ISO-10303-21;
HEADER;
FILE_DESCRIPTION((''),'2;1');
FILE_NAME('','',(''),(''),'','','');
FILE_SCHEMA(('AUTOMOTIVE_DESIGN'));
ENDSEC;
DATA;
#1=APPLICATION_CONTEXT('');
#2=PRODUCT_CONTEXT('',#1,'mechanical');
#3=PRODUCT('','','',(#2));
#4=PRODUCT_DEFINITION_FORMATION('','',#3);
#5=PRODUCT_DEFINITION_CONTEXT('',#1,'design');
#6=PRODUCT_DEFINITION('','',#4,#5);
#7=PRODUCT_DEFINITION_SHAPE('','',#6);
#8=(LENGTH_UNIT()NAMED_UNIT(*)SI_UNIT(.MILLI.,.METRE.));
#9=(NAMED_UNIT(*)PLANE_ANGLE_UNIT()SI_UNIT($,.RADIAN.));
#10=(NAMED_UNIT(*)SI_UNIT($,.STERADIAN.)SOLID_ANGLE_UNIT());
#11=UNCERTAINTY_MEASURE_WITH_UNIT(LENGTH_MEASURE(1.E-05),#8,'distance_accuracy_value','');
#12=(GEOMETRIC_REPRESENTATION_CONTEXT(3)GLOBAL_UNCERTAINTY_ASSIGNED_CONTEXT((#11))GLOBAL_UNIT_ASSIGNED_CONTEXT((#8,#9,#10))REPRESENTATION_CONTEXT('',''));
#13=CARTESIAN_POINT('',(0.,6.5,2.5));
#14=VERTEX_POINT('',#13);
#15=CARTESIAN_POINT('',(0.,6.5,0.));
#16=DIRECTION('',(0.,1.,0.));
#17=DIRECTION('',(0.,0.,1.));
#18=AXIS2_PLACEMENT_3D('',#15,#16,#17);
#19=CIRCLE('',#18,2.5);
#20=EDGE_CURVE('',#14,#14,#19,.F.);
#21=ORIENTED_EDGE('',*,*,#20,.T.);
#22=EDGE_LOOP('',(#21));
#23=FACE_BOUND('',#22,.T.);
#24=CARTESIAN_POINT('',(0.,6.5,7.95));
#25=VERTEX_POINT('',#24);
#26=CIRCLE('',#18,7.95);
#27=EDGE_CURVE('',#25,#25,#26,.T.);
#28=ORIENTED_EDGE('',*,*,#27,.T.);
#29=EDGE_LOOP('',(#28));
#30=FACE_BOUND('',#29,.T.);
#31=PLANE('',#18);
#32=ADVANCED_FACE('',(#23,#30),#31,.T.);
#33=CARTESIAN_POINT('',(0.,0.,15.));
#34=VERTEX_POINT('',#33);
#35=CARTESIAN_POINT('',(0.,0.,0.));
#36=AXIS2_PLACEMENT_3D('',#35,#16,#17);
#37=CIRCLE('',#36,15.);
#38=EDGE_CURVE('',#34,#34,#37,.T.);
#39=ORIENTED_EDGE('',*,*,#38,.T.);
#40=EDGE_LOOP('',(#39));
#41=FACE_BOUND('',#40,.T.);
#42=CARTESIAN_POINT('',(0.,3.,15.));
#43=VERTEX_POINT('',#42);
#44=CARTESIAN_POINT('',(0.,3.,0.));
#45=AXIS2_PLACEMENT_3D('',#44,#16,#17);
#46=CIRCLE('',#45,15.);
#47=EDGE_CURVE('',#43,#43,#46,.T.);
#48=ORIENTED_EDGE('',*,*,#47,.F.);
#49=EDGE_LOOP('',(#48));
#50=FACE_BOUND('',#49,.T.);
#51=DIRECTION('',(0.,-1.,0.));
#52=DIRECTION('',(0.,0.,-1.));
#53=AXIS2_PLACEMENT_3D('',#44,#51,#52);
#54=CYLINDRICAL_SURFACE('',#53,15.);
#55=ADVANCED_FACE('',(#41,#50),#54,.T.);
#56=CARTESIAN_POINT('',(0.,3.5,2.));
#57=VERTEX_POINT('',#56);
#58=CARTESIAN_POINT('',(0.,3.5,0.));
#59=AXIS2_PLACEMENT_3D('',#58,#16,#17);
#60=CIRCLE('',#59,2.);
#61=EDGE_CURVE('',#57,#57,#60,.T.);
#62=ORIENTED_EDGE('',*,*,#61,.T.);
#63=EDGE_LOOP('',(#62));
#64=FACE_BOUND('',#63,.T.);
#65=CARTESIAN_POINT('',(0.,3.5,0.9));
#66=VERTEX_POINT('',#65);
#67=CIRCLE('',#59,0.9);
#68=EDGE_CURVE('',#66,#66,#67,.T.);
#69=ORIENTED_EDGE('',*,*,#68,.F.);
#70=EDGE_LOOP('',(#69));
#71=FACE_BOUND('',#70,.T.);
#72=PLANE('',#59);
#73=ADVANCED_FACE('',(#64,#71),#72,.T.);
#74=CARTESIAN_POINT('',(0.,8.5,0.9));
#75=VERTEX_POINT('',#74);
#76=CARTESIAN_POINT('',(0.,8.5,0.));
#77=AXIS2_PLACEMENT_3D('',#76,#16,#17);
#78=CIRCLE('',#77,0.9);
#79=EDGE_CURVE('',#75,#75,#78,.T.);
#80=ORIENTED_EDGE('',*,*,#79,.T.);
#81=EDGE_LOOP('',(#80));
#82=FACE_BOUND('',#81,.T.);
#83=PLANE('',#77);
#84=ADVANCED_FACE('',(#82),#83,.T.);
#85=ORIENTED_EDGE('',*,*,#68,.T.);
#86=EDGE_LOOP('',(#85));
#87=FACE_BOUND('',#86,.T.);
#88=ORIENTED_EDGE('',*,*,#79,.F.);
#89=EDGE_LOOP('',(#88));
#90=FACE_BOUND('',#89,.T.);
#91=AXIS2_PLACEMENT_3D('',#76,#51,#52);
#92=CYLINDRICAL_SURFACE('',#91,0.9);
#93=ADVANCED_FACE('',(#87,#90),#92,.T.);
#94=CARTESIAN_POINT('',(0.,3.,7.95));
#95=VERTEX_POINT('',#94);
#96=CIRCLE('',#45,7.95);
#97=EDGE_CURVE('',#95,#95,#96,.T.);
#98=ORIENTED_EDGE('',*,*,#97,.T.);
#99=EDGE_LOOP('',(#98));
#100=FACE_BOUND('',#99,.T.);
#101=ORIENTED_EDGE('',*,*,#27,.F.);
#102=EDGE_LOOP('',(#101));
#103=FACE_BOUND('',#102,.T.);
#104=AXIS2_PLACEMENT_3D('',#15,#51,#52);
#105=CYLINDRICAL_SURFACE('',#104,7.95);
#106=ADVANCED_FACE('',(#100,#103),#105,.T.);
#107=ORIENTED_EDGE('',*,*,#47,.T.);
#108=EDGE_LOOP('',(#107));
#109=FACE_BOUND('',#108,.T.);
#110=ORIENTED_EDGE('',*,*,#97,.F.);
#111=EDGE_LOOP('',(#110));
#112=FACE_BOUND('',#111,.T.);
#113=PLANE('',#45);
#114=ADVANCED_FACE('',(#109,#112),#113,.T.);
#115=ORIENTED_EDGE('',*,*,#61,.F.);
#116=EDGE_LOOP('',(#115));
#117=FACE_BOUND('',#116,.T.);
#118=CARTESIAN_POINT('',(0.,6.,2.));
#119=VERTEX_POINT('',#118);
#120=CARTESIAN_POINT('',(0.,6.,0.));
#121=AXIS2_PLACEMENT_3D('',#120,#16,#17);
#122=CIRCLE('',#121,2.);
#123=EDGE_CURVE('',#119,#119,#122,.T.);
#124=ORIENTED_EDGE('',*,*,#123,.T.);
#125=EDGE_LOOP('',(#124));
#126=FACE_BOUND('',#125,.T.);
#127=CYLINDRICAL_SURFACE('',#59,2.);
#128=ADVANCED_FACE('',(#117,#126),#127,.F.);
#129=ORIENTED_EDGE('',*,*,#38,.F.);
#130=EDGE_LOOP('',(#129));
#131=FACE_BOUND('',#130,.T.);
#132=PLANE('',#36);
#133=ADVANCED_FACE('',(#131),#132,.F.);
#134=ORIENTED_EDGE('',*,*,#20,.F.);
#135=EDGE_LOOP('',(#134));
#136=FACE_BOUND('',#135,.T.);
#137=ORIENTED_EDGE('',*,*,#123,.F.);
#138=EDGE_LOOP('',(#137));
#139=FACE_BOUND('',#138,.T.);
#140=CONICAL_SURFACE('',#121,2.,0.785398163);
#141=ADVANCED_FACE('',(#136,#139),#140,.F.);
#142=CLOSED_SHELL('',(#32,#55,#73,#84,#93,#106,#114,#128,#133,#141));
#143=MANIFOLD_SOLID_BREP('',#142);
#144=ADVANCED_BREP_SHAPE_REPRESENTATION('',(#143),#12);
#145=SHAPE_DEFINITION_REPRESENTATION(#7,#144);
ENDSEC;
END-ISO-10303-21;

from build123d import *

# Parameters (mm, degrees)
SKETCH_1_R          = 15
EXTRUDE_1_DEPTH     = 3
SKETCH_2_R          = 7.95
EXTRUDE_2_DEPTH     = 3.5
SKETCH_3_R          = 0.9
EXTRUDE_3_DEPTH     = 2
SKETCH_4_R          = 2
SKETCH_4_R_2        = 0.9
CUT_EXTRUDE_1_DEPTH = 3
CHAMFER_1_SIZE      = 0.5


with BuildPart() as part:
    # 草图1 → 凸台-拉伸1 (new body)
    with BuildSketch(Plane(origin=(0, 0, 0), x_dir=(1, 0, 0), z_dir=(0, 1, 0))):
        Circle(SKETCH_1_R)
    extrude(amount=EXTRUDE_1_DEPTH)

    # 草图2 → 凸台-拉伸2 (add)
    with BuildSketch(Plane(origin=(0, 3, 0), x_dir=(1, 0, 0), z_dir=(0, 1, 0))):
        Circle(SKETCH_2_R)
    extrude(amount=EXTRUDE_2_DEPTH)

    # 草图3 → 凸台-拉伸3 (add)
    with BuildSketch(Plane(origin=(0, 6.5, 0), x_dir=(1, 0, 0), z_dir=(0, 1, 0))):
        Circle(SKETCH_3_R)
    extrude(amount=EXTRUDE_3_DEPTH)

    # 草图4 → 切除-拉伸1 (cut)
    with BuildSketch(Plane(origin=(0, 6.5, 0), x_dir=(1, 0, 0), z_dir=(0, 1, 0))):
        Circle(SKETCH_4_R)
        Circle(SKETCH_4_R_2, mode=Mode.SUBTRACT)
    extrude(amount=-CUT_EXTRUDE_1_DEPTH, mode=Mode.SUBTRACT)

    # 倒角1
    chamfer_1_edges = [part.edges().sort_by_distance(p)[0] for p in [
        (-2, 6.5, 0),
    ]]
    chamfer(chamfer_1_edges, length=CHAMFER_1_SIZE)


solid = part.part
